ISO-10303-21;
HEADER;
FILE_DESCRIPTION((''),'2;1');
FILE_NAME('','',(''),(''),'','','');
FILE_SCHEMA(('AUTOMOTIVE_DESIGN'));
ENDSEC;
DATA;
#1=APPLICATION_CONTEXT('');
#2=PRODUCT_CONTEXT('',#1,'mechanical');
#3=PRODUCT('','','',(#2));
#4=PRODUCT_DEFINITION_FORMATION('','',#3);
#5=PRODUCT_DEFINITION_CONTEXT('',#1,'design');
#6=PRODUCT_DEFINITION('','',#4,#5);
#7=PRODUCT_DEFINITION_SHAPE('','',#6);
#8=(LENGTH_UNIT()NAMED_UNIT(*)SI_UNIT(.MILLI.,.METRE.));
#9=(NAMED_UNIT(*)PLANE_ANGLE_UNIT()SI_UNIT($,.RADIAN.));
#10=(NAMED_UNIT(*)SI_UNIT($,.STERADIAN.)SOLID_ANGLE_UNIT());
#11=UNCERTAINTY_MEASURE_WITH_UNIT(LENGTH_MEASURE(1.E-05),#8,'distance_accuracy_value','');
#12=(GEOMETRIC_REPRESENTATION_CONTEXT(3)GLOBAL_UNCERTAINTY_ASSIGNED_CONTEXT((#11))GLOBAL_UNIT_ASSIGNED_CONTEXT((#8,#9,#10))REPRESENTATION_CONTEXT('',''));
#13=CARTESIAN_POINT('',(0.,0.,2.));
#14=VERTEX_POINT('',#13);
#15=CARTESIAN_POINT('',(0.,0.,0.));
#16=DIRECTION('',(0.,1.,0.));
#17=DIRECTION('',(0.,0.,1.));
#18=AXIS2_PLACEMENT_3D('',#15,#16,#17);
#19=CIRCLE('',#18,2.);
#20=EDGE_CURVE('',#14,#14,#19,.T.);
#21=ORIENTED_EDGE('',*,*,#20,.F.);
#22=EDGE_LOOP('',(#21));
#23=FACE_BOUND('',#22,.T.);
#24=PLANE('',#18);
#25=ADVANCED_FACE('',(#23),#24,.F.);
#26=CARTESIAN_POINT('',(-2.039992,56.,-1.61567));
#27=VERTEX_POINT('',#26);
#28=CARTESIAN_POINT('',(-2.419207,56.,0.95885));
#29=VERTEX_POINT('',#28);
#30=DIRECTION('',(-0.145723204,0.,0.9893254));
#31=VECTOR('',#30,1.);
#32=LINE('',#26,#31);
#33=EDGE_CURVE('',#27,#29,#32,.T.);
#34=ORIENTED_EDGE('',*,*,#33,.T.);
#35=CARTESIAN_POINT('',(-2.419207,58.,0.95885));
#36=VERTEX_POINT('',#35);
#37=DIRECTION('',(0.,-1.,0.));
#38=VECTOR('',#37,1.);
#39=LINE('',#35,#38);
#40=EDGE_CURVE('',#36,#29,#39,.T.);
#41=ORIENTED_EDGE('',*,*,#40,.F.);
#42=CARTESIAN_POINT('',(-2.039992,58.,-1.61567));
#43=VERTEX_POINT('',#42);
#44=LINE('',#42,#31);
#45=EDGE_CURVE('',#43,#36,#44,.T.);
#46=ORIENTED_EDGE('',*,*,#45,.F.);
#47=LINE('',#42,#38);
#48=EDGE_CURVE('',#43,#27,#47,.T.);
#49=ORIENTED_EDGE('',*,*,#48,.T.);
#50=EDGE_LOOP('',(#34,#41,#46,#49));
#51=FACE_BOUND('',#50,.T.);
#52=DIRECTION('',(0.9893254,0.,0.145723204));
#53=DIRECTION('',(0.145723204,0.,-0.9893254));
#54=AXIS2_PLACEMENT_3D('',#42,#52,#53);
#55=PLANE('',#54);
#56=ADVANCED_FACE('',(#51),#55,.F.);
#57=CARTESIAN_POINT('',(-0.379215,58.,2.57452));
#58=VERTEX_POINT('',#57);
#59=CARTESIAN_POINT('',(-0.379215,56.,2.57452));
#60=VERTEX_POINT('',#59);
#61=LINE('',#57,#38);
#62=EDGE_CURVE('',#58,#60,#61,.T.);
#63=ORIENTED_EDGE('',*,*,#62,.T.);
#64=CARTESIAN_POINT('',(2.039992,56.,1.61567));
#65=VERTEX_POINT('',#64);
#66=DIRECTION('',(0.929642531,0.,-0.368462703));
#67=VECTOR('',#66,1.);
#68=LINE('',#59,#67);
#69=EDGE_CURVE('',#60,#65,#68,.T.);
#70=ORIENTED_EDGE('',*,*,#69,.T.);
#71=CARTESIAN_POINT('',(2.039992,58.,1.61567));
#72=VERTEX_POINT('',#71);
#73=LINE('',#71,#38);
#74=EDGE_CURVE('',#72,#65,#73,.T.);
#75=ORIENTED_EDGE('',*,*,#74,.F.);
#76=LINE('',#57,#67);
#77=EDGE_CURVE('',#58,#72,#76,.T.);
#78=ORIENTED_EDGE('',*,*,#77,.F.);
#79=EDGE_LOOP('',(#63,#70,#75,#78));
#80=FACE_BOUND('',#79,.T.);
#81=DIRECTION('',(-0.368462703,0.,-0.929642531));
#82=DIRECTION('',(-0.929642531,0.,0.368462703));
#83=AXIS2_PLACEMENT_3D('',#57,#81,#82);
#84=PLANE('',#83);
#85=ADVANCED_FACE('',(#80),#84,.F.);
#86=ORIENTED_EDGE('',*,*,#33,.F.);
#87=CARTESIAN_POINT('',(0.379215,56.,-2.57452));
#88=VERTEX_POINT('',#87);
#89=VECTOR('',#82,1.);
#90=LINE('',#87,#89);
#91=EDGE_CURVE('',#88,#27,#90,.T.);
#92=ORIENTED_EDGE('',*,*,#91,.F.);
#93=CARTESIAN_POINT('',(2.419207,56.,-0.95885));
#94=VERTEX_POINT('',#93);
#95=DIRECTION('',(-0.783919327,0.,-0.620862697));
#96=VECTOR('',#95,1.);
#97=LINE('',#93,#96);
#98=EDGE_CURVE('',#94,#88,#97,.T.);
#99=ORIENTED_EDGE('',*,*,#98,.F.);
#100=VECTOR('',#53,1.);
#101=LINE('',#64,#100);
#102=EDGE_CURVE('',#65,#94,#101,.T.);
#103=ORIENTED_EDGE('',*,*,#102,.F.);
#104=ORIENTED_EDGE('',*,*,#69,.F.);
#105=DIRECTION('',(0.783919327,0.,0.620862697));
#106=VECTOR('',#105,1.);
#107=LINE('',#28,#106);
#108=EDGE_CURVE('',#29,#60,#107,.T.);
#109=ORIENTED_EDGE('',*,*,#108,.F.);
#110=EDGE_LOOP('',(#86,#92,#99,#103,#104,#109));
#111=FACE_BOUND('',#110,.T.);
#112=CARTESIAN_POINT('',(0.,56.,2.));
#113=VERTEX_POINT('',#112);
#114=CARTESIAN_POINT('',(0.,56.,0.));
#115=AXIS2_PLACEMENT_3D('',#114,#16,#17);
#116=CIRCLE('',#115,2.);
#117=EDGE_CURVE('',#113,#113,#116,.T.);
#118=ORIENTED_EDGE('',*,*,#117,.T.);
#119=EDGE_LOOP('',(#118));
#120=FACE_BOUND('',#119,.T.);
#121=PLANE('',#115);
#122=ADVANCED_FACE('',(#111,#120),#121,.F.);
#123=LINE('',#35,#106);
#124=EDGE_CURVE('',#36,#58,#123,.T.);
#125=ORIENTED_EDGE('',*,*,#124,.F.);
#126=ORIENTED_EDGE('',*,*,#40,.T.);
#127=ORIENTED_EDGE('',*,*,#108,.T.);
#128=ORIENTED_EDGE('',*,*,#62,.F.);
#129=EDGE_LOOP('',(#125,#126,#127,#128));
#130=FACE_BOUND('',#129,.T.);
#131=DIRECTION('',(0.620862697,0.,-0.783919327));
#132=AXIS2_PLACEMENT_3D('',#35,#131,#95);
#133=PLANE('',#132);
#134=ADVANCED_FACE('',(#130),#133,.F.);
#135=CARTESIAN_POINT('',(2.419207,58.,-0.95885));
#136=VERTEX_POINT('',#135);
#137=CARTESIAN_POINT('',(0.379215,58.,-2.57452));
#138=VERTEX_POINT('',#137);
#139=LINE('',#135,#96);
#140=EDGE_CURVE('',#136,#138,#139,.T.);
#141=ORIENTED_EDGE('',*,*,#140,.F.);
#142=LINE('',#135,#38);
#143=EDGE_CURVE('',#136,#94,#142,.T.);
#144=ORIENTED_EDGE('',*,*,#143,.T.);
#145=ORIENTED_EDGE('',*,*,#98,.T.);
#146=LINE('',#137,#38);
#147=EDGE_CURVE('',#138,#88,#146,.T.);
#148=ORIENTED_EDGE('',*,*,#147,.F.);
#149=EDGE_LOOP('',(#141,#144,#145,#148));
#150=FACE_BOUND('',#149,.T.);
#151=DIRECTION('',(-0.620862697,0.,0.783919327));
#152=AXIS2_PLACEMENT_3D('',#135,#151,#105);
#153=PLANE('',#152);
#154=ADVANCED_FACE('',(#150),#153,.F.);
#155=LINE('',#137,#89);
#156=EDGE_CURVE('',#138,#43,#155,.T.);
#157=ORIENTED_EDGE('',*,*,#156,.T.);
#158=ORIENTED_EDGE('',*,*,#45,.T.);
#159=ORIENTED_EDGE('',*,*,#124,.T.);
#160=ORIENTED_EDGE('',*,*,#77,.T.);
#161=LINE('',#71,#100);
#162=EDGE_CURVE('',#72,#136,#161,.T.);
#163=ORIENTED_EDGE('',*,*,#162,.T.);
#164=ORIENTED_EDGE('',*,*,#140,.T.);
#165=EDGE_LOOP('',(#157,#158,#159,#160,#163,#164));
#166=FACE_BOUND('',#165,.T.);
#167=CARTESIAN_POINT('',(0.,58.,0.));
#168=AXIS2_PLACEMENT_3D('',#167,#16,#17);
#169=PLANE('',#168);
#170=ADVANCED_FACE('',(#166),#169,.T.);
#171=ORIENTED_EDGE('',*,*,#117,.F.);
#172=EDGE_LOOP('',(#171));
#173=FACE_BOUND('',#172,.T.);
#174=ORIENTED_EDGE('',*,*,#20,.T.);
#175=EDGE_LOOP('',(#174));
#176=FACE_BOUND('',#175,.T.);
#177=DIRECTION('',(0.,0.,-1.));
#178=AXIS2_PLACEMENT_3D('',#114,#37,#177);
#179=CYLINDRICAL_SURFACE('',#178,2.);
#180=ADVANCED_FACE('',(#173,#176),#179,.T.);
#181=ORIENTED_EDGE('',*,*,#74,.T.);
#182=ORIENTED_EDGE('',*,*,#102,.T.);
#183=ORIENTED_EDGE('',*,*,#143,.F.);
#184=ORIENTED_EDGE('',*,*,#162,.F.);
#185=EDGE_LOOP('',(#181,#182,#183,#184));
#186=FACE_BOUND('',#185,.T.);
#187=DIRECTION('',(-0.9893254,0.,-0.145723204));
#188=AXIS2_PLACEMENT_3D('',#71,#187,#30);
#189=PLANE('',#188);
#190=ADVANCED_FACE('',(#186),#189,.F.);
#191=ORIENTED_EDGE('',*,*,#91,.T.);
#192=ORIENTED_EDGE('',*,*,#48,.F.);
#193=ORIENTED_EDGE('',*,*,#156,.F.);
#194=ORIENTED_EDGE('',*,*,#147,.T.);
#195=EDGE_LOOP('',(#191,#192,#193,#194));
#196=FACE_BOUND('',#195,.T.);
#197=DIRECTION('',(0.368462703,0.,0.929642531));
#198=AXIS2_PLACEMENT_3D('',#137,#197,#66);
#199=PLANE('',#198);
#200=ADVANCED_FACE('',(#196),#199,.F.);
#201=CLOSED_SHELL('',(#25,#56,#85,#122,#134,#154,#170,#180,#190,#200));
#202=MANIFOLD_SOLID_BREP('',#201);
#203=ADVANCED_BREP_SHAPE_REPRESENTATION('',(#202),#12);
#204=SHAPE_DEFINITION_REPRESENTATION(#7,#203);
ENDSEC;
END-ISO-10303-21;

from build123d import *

# Parameters (mm, degrees)
SKETCH1_R           = 2
BOSS_EXTRUDE1_DEPTH = 56
BOSS_EXTRUDE2_DEPTH = 2


with BuildPart() as part:
    # Sketch1 → Boss-Extrude1 (new body)
    with BuildSketch(Plane(origin=(0, 0, 0), x_dir=(1, 0, 0), z_dir=(0, 1, 0))):
        with Locations(Location((0, 0, 0), (0, 0, 270))):
            Circle(SKETCH1_R)
    extrude(amount=BOSS_EXTRUDE1_DEPTH)

    # Sketch2 → Boss-Extrude2 (add)
    with BuildSketch(Plane(origin=(0, 56, 0), x_dir=(1, 0, 0), z_dir=(0, 1, 0))):
        Polygon((2.039992028, -1.615670017), (2.419207293, 0.958849912), (0.379215264, 2.574519928), (-2.039992028, 1.615670017), (-2.419207293, -0.958849912), (-0.379215264, -2.574519928), align=None)
    extrude(amount=BOSS_EXTRUDE2_DEPTH)


solid = part.part
